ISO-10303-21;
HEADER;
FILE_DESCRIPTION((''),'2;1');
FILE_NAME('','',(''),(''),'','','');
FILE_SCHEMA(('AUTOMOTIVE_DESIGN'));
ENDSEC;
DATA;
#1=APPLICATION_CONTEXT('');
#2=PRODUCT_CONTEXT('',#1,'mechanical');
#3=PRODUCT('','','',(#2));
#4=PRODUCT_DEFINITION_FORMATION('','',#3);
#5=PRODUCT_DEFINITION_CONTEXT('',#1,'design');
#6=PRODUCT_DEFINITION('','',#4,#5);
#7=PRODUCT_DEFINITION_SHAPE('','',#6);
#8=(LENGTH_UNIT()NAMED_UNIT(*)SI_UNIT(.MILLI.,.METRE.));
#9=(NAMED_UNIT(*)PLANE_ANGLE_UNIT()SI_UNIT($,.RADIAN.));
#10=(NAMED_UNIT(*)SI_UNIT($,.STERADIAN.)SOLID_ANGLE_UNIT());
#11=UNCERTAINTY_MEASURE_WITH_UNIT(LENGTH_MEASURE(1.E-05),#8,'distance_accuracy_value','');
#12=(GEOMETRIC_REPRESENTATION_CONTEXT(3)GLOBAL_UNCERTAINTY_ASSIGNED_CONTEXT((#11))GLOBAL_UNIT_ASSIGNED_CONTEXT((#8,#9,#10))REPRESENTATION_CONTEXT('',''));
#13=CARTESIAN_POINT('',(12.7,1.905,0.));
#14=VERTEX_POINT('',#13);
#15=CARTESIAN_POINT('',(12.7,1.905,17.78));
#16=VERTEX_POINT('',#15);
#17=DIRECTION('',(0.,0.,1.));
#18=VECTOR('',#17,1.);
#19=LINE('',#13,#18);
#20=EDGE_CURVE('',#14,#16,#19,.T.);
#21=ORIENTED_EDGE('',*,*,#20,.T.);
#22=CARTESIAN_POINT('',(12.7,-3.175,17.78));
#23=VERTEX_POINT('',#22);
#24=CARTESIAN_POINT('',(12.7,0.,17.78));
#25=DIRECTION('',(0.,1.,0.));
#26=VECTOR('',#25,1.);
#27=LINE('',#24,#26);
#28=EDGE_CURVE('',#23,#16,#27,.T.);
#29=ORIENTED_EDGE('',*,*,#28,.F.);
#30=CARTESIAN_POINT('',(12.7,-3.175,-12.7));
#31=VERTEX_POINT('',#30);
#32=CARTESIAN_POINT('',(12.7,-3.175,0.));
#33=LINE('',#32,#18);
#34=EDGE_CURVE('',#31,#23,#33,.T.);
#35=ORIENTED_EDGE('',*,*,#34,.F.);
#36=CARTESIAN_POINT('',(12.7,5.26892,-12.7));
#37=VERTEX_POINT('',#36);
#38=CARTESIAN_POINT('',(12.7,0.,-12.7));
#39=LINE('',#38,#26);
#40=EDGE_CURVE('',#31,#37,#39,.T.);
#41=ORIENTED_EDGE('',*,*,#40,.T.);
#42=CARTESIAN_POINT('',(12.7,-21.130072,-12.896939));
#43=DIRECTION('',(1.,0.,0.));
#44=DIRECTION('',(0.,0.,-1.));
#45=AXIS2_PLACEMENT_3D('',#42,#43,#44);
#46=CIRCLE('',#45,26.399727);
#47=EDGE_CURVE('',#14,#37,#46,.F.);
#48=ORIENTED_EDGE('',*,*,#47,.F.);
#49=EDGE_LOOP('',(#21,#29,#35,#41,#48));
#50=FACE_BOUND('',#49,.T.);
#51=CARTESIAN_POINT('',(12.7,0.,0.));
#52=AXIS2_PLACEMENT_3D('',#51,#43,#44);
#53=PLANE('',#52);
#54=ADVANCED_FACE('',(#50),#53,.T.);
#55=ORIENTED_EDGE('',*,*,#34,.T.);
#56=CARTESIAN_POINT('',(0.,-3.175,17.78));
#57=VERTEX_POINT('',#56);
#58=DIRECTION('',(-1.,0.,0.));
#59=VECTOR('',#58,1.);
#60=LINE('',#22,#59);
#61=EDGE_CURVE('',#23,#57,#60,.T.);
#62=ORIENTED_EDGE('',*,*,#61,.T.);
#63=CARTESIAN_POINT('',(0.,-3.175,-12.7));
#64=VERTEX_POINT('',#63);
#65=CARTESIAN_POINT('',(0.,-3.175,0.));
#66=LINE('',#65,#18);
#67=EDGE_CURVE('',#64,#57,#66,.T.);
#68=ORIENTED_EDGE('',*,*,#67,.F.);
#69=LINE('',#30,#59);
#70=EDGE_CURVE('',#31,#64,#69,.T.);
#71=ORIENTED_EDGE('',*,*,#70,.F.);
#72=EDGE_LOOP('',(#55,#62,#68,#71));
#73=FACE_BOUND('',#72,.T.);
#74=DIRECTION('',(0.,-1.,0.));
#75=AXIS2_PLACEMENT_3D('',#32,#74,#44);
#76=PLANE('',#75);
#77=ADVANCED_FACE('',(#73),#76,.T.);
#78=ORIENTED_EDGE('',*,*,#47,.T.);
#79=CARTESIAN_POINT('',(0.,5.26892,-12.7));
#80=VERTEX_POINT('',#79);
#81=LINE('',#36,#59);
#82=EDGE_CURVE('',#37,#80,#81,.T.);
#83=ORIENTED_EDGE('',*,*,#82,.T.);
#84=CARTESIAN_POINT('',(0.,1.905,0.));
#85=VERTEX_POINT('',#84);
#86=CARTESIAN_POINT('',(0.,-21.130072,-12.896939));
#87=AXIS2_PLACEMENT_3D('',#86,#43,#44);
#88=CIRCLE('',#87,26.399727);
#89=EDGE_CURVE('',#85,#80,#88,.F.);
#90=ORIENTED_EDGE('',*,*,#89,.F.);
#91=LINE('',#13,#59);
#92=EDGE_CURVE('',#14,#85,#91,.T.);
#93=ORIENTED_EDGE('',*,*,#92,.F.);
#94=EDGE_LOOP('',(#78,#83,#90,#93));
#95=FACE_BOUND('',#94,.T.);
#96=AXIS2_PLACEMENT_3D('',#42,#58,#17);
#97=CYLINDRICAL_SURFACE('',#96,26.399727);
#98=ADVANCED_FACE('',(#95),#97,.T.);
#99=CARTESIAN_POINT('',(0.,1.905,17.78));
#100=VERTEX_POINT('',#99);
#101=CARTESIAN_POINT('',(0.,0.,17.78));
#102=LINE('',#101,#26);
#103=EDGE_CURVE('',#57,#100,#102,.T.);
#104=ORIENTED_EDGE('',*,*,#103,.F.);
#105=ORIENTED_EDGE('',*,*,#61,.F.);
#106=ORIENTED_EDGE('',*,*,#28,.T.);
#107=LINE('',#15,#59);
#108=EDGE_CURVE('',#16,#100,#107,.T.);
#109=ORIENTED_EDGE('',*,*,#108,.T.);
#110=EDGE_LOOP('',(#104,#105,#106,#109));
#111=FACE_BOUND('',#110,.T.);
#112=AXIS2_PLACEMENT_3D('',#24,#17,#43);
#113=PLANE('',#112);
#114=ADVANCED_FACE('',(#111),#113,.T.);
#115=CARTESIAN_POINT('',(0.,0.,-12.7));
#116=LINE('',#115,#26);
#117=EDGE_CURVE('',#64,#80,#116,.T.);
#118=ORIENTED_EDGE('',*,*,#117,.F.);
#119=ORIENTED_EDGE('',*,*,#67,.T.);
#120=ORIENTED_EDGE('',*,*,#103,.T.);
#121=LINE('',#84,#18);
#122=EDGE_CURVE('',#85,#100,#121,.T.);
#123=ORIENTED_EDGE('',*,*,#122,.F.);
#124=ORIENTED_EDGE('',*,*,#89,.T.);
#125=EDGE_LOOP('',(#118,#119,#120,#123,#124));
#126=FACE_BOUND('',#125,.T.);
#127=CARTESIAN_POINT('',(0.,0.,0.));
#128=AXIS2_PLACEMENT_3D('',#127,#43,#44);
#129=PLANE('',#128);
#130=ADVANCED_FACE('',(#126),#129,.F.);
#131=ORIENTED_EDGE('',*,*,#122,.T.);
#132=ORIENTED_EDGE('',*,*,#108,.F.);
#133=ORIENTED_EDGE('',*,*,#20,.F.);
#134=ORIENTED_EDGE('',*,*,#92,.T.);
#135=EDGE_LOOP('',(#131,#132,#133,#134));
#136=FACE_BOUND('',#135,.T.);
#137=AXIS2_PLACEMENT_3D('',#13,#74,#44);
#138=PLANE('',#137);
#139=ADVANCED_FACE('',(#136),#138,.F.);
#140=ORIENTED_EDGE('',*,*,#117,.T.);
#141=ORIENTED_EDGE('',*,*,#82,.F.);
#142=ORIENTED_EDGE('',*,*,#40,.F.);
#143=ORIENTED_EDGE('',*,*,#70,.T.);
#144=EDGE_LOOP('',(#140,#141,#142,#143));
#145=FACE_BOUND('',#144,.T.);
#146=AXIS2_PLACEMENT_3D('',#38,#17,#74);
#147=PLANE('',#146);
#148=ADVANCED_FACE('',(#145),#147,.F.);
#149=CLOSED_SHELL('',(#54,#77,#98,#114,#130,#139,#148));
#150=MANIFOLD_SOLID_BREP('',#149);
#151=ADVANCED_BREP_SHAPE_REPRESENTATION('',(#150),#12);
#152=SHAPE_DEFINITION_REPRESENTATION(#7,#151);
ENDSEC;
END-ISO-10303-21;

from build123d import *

# Parameters (mm, degrees)
BOSS_EXTRUDE1_DEPTH = 12.7


with BuildPart() as part:
    # Sketch1 → Boss-Extrude1 (new body)
    with BuildSketch(Plane(origin=(0, 0, 0), x_dir=(0, 0, -1), z_dir=(1, 0, 0))):
        with BuildLine():
            ThreePointArc((0, 1.905), (6.13739758, 4.389610207), (12.7, 5.268920391))
            Line((12.7, 5.268920391), (12.7, 1.905))
            Line((12.7, 1.905), (12.7, -3.175))
            Line((12.7, -3.175), (-17.78, -3.175))
            Line((-17.78, -3.175), (-17.78, 1.905))
            Line((-17.78, 1.905), (0, 1.905))
        make_face()
    extrude(amount=BOSS_EXTRUDE1_DEPTH)


solid = part.part
